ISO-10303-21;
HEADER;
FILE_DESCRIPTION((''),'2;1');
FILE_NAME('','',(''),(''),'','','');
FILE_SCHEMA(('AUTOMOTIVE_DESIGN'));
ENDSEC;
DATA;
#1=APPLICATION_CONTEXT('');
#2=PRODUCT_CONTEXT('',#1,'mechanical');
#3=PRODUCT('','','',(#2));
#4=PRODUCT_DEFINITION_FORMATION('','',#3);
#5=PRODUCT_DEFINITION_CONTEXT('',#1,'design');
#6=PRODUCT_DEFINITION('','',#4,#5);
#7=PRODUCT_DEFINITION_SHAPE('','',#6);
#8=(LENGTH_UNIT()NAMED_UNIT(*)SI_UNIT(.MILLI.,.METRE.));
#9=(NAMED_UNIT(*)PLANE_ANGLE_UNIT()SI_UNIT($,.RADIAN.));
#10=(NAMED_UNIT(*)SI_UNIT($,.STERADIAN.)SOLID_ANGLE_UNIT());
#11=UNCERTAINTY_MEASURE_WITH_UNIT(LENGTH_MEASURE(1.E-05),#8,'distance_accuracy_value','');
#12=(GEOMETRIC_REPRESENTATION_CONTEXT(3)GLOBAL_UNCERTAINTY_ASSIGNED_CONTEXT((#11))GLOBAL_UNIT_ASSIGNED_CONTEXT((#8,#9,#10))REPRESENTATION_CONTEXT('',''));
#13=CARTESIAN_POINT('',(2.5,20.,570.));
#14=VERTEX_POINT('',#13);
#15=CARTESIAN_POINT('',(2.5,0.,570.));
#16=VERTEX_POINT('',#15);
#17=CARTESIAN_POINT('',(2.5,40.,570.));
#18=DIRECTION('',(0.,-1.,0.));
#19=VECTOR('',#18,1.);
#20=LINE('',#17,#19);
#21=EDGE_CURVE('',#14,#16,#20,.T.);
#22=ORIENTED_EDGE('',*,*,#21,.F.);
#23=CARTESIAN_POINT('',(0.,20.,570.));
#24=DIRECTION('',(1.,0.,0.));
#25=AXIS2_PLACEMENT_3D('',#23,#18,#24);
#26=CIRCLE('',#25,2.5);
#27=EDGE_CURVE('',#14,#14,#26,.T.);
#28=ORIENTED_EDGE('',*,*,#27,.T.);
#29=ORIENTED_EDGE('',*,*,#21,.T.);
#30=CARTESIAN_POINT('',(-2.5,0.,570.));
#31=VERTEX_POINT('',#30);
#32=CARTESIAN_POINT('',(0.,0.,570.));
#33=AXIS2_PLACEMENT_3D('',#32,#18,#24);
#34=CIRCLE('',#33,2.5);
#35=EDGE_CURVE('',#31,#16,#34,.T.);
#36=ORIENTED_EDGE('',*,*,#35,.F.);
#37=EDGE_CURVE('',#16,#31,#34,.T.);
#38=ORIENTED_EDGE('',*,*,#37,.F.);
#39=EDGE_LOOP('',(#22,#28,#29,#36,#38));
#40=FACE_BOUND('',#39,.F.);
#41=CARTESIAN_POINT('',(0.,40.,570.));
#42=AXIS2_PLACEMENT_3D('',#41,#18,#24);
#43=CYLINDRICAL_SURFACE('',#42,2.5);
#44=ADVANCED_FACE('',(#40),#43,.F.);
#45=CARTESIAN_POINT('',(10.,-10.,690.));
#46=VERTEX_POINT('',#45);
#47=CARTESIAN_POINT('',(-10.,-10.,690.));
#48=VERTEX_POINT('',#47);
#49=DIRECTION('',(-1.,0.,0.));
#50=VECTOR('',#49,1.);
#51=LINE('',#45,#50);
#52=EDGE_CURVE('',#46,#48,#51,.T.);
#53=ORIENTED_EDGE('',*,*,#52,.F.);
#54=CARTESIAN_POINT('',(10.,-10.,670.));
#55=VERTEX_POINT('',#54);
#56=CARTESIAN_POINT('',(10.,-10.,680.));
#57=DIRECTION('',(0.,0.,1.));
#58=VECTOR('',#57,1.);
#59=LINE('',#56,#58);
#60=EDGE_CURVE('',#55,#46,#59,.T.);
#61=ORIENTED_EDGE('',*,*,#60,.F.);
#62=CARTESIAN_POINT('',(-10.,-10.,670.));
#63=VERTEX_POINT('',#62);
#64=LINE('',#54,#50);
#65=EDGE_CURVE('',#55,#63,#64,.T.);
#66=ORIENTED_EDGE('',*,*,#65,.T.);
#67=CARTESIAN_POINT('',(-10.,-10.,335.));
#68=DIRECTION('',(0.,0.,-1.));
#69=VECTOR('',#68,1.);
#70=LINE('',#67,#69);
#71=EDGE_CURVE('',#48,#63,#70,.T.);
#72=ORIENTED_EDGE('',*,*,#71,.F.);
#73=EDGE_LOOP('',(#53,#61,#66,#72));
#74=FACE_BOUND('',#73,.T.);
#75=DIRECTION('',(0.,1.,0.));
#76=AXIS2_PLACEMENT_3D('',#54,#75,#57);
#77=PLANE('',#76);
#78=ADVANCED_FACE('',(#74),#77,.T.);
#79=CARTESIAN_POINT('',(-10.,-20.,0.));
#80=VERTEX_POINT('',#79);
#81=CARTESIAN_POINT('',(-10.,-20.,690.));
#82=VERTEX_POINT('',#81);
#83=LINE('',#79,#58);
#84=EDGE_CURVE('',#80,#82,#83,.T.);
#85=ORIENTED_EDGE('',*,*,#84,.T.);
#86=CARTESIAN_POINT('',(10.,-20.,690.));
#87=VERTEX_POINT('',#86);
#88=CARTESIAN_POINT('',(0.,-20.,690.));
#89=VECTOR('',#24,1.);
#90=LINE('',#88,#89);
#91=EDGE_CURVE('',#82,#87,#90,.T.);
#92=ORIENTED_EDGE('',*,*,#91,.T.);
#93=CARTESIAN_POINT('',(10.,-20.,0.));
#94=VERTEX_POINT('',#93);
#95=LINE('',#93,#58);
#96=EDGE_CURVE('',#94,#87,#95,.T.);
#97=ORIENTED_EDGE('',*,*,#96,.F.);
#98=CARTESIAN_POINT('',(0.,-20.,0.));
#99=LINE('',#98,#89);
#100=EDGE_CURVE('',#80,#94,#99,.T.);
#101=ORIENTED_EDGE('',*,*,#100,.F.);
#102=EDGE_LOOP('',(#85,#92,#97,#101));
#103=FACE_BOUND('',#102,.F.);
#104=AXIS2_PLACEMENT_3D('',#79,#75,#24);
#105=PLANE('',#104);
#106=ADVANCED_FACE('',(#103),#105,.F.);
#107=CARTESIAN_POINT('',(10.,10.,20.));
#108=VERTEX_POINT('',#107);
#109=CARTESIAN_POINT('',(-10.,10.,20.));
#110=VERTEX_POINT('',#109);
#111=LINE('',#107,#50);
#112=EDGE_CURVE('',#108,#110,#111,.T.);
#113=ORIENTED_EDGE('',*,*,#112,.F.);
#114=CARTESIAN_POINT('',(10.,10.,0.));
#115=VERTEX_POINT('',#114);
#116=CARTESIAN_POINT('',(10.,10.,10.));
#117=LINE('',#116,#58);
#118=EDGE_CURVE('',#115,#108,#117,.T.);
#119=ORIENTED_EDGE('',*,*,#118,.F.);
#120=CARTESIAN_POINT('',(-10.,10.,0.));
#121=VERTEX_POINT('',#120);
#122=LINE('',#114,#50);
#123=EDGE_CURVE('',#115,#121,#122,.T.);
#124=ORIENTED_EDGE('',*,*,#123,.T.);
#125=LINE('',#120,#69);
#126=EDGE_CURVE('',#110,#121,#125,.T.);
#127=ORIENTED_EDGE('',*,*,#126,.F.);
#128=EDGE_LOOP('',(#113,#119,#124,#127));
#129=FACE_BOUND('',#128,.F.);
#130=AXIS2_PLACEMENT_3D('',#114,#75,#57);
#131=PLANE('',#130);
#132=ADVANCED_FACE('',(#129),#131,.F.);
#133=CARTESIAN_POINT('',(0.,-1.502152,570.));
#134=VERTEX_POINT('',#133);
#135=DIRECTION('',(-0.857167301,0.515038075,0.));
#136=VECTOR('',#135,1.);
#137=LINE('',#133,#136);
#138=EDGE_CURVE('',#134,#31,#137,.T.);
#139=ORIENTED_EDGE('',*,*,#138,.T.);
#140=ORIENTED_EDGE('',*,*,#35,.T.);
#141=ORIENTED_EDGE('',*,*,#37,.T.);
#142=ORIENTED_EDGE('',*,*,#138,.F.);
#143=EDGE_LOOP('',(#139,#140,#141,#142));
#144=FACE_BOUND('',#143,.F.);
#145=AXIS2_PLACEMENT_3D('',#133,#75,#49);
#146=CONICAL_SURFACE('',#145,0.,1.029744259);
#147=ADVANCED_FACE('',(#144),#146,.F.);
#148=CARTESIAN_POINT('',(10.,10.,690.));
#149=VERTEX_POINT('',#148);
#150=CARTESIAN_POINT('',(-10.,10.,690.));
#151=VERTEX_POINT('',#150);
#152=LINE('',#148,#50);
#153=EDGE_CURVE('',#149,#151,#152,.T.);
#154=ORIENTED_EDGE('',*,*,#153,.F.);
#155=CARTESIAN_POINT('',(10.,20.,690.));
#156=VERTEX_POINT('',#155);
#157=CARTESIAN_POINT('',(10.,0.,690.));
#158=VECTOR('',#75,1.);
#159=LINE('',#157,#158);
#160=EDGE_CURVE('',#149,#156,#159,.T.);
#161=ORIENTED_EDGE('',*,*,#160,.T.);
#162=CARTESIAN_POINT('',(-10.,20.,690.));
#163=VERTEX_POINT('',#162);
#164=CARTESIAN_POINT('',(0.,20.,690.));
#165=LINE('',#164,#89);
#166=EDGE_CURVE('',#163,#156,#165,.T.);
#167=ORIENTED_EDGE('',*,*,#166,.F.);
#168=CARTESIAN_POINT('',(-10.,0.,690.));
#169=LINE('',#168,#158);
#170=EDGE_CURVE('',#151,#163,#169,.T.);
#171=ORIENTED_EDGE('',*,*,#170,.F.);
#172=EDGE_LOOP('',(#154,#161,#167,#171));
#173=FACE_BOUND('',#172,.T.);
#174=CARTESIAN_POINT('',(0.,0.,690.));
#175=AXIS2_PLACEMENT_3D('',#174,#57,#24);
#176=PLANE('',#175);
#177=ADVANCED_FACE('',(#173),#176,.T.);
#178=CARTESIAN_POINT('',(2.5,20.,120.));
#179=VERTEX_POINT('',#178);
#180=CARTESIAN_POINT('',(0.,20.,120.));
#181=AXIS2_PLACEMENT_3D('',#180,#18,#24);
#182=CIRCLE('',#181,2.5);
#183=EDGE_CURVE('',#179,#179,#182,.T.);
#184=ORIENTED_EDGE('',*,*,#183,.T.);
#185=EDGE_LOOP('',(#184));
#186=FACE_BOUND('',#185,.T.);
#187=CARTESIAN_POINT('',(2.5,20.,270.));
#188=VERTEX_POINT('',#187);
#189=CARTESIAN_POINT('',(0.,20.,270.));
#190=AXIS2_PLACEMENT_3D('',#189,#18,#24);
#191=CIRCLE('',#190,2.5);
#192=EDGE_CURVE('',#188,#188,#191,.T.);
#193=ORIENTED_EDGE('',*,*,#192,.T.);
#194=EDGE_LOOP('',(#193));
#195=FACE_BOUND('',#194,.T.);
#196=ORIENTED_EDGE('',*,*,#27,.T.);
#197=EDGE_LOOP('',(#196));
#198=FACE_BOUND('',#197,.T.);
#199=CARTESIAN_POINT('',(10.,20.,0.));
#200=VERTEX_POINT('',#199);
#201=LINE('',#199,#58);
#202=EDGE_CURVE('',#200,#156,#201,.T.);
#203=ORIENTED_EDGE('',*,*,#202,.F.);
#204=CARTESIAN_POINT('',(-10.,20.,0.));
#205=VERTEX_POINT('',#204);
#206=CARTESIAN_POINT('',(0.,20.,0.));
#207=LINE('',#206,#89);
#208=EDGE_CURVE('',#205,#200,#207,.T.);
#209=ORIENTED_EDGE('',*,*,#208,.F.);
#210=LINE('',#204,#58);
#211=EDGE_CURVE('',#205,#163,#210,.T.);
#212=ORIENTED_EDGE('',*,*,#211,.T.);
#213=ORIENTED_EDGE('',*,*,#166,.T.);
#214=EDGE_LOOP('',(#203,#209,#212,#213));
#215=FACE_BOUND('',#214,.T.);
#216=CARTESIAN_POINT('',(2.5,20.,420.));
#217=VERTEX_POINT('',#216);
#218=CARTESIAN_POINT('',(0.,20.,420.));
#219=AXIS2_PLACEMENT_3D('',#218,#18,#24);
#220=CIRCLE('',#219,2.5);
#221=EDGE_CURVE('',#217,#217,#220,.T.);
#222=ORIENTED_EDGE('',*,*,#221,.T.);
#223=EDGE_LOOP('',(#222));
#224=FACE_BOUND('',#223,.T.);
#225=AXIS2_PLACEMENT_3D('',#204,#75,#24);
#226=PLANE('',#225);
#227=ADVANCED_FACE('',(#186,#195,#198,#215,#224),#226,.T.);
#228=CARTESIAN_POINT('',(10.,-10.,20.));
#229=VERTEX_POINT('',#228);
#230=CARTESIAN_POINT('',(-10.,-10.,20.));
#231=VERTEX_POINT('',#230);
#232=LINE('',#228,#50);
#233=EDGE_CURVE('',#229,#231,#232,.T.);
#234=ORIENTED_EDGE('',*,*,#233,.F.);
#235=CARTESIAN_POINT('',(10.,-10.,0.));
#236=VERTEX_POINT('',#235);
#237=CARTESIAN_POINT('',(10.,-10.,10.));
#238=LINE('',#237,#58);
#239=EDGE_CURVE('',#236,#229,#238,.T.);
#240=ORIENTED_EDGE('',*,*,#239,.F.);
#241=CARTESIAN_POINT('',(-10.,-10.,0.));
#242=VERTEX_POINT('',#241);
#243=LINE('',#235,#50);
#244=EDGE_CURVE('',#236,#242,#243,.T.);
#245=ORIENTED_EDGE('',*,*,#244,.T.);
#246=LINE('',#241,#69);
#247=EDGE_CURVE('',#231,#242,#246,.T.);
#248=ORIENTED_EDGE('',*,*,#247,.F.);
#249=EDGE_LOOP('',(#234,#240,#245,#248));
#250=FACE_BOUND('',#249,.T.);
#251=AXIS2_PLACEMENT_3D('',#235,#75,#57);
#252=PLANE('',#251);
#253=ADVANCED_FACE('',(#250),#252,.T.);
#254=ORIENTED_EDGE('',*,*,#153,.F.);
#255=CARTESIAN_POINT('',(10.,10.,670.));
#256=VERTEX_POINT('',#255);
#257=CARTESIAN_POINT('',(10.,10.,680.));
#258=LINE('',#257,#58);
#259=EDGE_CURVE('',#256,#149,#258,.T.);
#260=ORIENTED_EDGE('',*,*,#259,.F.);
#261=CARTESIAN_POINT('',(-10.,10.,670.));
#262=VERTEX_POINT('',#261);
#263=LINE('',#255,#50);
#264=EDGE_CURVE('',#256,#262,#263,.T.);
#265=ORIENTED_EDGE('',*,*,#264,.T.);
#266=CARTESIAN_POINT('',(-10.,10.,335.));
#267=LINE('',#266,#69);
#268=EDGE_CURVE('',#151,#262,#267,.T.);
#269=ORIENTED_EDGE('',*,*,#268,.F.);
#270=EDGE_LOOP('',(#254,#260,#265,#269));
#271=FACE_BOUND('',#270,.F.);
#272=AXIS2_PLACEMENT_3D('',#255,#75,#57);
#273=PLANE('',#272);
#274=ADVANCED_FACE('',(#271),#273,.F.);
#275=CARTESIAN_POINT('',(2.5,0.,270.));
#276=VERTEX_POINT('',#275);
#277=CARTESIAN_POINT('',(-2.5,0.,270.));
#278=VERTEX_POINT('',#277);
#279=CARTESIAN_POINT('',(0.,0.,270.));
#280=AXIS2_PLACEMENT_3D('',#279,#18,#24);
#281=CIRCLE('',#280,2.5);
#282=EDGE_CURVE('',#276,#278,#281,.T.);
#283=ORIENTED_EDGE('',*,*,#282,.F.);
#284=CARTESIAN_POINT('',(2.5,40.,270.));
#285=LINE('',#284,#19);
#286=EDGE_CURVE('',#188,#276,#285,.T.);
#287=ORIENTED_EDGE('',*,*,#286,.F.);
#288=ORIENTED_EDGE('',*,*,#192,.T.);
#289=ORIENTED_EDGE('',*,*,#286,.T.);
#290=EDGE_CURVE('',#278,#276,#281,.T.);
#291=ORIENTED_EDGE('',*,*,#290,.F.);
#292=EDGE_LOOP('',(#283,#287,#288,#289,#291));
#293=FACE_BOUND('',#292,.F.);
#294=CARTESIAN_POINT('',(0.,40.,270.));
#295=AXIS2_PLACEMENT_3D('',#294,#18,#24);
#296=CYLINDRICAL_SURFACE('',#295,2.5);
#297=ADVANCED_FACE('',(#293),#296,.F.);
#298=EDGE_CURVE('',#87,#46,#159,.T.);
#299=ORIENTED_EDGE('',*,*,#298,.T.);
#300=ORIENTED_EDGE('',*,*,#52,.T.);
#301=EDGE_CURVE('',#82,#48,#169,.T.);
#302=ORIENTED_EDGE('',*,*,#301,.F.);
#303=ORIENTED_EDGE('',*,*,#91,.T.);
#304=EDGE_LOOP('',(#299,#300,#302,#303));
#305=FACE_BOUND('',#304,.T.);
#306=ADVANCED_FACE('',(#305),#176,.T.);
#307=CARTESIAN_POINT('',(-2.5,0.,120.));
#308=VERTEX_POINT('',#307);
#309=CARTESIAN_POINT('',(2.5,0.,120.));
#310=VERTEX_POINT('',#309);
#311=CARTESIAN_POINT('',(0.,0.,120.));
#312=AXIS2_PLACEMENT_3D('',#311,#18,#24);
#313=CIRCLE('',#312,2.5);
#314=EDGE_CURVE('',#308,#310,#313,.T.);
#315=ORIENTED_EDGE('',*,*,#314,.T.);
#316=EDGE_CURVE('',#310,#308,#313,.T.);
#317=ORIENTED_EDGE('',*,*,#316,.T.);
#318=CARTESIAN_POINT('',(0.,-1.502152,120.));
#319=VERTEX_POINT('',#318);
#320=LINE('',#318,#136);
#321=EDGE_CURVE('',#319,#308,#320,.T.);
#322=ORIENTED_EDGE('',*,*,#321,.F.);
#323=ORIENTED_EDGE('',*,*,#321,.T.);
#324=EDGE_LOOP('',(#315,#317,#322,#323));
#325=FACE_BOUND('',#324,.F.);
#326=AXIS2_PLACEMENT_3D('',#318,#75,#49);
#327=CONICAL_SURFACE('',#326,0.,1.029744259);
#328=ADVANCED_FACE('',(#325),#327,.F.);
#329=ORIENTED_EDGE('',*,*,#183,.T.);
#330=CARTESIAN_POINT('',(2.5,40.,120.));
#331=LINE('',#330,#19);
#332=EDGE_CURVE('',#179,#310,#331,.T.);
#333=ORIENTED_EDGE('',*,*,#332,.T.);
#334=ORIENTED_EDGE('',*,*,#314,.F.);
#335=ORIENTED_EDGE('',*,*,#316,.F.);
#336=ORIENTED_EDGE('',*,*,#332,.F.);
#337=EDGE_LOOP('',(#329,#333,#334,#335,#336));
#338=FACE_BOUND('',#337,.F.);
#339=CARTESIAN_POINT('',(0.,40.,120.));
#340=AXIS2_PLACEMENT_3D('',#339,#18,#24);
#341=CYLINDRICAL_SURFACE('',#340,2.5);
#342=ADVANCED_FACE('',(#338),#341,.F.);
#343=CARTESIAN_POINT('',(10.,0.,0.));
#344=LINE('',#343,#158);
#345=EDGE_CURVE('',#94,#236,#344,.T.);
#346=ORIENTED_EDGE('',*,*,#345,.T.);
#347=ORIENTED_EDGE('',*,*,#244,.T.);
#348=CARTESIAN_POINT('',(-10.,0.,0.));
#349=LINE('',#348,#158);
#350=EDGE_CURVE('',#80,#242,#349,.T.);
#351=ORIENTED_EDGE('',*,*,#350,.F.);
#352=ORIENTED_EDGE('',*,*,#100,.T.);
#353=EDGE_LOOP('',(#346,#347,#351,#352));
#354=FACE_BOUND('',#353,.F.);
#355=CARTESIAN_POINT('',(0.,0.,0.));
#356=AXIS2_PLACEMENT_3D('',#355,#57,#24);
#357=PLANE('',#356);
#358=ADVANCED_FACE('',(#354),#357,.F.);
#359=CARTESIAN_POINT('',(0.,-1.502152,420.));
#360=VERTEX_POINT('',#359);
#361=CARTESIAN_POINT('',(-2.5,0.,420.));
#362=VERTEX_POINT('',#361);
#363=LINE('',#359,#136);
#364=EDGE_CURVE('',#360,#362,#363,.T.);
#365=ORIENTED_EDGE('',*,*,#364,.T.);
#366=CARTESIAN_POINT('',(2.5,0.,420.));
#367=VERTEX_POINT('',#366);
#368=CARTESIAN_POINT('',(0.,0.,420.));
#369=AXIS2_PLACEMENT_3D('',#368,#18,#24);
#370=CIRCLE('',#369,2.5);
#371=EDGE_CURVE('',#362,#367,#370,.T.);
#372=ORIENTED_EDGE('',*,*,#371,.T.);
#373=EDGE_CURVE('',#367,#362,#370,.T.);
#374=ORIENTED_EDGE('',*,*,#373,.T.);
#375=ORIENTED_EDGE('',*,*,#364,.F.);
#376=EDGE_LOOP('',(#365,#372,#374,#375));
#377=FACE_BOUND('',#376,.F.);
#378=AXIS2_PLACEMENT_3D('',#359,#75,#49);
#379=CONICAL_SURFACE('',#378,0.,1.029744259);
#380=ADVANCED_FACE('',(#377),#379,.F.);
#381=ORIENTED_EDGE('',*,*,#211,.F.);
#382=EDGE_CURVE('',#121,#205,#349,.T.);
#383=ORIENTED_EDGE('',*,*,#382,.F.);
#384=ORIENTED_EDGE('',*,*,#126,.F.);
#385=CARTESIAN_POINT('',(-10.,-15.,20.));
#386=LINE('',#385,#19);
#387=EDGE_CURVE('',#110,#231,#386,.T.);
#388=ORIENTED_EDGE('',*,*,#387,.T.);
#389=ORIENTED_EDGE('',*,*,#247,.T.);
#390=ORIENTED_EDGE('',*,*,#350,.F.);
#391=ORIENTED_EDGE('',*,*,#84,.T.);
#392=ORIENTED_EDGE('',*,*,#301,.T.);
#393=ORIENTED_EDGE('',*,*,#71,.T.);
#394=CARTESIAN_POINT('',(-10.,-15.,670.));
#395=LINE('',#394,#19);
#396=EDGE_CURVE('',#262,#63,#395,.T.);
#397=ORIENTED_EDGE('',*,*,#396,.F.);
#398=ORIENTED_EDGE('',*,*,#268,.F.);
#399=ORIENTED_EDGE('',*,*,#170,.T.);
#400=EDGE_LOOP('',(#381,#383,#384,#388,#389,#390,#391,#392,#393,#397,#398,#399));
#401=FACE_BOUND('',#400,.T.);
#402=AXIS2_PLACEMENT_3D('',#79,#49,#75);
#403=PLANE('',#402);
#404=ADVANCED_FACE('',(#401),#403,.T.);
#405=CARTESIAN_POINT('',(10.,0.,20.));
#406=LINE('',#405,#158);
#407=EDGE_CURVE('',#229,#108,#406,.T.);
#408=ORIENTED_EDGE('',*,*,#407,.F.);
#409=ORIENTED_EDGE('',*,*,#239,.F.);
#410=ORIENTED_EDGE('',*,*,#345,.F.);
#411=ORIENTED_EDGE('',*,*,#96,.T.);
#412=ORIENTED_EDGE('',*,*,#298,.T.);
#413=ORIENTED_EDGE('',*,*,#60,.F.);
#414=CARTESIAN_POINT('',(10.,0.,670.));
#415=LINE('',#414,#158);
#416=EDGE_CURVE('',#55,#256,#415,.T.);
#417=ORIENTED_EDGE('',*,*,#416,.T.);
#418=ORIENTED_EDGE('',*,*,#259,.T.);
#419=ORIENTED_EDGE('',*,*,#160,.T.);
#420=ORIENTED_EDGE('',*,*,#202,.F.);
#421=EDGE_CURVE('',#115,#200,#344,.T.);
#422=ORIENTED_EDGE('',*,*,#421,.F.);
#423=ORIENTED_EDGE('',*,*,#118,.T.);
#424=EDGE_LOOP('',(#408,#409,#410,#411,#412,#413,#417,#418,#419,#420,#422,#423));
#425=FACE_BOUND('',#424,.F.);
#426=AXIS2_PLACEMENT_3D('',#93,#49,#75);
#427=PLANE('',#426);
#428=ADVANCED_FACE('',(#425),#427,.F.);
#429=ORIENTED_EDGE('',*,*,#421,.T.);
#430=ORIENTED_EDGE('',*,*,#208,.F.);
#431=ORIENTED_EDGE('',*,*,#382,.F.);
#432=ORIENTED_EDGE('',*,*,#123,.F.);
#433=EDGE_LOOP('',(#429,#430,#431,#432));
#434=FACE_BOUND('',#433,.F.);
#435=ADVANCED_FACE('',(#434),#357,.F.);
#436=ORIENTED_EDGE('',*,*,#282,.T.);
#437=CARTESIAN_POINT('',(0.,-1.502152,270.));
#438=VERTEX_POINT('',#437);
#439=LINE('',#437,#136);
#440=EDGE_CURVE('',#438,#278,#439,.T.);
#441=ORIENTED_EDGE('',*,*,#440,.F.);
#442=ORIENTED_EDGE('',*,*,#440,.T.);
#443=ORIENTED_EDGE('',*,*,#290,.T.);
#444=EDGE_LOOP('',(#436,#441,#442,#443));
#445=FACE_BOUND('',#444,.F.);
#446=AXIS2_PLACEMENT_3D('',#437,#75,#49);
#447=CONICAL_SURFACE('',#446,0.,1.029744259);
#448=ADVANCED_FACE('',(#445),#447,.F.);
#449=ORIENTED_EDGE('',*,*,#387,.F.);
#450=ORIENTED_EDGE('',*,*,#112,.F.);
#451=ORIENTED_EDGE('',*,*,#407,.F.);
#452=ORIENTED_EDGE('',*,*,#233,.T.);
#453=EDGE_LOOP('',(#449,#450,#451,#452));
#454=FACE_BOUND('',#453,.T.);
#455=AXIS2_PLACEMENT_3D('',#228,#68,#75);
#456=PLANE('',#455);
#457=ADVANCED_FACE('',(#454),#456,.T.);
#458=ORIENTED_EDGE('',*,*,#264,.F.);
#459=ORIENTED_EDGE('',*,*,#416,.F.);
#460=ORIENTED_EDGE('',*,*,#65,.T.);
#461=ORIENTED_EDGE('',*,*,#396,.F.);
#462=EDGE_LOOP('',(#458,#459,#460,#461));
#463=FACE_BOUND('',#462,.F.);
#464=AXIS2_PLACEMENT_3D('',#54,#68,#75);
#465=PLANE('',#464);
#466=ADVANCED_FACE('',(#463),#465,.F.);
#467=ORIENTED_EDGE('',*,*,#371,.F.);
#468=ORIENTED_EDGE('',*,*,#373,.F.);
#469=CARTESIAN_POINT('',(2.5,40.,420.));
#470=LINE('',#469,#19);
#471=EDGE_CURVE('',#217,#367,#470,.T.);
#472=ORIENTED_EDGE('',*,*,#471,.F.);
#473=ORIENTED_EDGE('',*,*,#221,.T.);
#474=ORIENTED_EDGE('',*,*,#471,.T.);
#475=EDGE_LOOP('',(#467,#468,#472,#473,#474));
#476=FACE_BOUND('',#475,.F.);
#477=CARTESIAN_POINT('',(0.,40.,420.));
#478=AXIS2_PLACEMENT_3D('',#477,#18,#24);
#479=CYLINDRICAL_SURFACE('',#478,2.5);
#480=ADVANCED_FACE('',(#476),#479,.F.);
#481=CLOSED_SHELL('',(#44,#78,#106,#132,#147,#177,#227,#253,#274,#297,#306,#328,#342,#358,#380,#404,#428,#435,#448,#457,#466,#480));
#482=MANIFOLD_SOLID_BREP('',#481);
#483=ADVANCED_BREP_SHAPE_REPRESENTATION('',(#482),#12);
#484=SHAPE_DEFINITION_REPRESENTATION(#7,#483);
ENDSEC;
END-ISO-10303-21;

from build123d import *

# Parameters (mm, degrees)
F0_W     = 20
F0_H     = 40
F1_DEPTH = 690
F3_D     = 5
F3_DEPTH = 20
F3_TIP   = 1.5021515476
F4_W     = 20
F4_H     = 20
F5_DEPTH = 66.8
F6_W     = 20
F6_H     = 20
F7_DEPTH = 25


with BuildPart() as f1:
    # F0 (on Top) → F1 (new body)
    with BuildSketch(Plane.XY):
        Rectangle(F0_W, F0_H)
    extrude(amount=F1_DEPTH)

    # F3
    with Locations(Plane(origin=(0, 20, 0), x_dir=(-1, 0, 0), z_dir=(0, 1, 0))):
        with Locations((0, 570), (0, 420), (0, 270), (0, 120)):
            Hole(F3_D / 2, depth=F3_DEPTH)
            with Locations((0, 0, -(F3_DEPTH + F3_TIP / 2))):  # 118° drill point
                Cone(0, F3_D / 2, F3_TIP, mode=Mode.SUBTRACT)

    # F4 (on face) → F5 (cut)
    with BuildSketch(Plane.YZ.offset(10)):
        with Locations((0, 680)):
            Rectangle(F4_W, F4_H)
    extrude(amount=-F5_DEPTH, mode=Mode.SUBTRACT)

    # F6 (on face) → F7 (cut)
    with BuildSketch(Plane.YZ.offset(10)):
        with Locations((0, 10)):
            Rectangle(F6_W, F6_H)
    extrude(amount=-F7_DEPTH, mode=Mode.SUBTRACT)


with BuildPart() as f8_1:
    # F8: copy of F1
    add(f1.part)


solid = f1.part
